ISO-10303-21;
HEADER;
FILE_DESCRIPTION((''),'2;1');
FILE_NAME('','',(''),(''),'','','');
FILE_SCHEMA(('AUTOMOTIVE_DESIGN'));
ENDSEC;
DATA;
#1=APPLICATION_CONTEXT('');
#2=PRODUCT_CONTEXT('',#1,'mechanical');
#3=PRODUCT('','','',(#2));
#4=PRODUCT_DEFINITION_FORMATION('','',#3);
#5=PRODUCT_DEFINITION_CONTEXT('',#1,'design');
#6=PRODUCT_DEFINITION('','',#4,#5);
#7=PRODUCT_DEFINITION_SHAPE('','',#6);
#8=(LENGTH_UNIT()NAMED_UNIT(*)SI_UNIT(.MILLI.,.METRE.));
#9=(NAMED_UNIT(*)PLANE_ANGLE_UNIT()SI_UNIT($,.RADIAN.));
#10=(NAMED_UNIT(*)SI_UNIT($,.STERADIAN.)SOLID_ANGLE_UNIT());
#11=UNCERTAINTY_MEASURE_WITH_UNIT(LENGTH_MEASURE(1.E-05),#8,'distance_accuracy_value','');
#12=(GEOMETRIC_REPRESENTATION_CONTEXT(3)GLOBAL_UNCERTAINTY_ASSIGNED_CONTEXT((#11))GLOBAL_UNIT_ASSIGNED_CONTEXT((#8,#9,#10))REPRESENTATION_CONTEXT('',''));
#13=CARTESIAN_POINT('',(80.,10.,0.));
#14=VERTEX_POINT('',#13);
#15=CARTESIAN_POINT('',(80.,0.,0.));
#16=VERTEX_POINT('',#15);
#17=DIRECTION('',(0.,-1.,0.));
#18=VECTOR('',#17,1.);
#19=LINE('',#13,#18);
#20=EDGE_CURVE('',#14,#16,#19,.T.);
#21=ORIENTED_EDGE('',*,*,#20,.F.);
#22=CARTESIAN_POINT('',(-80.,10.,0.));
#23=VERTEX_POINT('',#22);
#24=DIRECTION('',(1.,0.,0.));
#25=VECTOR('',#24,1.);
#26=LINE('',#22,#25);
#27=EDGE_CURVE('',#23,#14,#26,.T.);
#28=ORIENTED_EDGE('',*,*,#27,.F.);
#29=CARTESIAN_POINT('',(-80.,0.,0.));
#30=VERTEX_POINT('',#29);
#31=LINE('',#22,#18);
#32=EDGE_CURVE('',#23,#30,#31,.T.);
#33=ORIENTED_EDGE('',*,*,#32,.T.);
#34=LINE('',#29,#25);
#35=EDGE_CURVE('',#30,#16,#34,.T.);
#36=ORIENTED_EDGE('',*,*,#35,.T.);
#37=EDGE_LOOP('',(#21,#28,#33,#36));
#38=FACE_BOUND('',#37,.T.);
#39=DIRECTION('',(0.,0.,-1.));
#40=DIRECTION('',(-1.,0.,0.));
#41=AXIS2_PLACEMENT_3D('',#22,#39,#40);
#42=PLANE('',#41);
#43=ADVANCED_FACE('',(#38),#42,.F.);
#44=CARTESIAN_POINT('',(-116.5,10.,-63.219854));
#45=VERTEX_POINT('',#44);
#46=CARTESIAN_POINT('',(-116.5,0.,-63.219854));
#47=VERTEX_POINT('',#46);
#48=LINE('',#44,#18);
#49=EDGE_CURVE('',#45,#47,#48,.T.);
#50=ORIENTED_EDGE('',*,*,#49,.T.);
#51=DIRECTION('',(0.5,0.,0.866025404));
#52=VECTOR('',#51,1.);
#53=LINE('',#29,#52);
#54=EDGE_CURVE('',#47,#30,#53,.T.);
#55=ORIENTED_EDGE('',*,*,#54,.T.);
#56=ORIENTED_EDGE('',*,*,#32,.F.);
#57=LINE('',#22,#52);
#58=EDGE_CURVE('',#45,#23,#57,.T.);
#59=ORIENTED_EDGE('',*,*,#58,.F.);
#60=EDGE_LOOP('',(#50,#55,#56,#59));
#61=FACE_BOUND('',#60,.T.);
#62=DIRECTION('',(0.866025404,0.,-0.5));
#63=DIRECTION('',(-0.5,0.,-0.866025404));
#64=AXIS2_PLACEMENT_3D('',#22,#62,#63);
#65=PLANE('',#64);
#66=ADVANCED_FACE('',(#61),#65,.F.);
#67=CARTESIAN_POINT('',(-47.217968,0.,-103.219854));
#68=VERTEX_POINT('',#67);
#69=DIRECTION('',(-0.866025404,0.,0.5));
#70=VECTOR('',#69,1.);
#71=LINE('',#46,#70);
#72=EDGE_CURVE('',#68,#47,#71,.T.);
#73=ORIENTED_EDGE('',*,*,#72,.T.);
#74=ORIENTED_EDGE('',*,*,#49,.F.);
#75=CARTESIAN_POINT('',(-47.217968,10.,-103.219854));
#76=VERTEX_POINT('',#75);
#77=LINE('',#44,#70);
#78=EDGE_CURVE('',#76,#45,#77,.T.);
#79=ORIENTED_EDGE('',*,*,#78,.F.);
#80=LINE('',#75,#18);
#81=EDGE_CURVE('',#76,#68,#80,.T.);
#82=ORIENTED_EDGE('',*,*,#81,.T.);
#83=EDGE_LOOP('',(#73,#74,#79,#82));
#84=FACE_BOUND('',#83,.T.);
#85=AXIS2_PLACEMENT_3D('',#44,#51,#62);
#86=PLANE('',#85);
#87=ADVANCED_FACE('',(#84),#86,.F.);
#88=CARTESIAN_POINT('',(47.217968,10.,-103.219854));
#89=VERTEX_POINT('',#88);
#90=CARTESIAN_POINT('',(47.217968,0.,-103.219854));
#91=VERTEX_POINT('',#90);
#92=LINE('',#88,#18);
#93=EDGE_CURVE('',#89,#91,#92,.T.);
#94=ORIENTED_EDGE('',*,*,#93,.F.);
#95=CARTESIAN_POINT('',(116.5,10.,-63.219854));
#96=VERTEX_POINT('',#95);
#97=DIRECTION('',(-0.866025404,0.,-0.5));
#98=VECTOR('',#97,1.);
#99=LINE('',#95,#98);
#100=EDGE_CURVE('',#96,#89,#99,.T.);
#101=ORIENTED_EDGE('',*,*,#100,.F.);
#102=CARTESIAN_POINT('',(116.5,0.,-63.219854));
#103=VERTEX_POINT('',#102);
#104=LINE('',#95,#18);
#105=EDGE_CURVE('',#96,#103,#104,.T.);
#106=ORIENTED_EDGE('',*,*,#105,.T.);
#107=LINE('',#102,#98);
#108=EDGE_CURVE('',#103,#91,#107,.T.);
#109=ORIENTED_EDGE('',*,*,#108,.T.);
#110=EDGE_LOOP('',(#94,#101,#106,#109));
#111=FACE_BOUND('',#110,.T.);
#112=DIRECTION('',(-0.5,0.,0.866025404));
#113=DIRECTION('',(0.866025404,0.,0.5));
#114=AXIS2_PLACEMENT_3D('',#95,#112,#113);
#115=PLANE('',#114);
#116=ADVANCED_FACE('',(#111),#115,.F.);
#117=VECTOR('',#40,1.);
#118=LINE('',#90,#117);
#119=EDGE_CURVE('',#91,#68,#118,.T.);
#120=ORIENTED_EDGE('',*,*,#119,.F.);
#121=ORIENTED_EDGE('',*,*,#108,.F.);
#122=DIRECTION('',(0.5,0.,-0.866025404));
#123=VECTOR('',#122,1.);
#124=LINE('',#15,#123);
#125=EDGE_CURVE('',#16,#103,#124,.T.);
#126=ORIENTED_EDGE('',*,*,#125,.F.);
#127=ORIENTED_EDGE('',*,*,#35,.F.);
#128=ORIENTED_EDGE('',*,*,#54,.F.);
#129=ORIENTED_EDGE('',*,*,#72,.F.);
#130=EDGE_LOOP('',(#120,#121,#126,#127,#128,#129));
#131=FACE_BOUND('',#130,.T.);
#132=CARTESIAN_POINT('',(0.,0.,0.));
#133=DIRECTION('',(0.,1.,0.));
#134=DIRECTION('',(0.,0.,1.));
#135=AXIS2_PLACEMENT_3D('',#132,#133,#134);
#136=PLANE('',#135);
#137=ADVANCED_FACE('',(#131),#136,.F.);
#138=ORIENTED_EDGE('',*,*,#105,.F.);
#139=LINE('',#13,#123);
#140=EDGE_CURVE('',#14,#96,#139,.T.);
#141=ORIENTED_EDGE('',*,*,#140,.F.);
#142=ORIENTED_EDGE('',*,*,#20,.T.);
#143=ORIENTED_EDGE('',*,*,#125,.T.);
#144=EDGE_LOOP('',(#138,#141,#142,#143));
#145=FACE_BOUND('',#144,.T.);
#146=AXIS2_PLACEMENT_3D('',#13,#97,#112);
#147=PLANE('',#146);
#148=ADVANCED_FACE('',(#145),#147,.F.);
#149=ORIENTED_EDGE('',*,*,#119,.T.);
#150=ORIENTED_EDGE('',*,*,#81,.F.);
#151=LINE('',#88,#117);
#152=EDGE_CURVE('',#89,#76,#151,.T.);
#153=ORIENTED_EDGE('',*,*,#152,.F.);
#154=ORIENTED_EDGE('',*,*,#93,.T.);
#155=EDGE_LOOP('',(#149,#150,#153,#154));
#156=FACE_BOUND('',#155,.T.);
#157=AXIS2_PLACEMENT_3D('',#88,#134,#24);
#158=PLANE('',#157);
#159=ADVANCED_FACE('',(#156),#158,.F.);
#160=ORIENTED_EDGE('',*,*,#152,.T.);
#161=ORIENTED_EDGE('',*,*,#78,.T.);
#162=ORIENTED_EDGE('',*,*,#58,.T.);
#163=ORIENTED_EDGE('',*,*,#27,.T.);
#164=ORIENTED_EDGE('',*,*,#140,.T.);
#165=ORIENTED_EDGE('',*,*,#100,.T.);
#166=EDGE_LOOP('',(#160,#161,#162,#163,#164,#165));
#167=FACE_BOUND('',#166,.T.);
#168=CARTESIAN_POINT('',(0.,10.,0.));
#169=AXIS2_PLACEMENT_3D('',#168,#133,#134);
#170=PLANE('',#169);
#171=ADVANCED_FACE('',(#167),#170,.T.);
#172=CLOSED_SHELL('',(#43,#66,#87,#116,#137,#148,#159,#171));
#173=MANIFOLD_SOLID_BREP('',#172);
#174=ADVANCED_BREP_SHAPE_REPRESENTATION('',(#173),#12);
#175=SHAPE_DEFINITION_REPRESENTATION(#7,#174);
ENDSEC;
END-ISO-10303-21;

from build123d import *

# Parameters (mm, degrees)
BOSS_EXTRUDE1_DEPTH = 10


with BuildPart() as part:
    # Sketch1 → Boss-Extrude1 (new body)
    with BuildSketch(Plane(origin=(0, 0, 0), x_dir=(1, 0, 0), z_dir=(0, 1, 0))):
        Polygon((-80, 0), (80, 0), (116.5, 63.219854476), (47.217967697, 103.219854476), (-47.217967697, 103.219854476), (-116.5, 63.219854476), align=None)
    extrude(amount=BOSS_EXTRUDE1_DEPTH)


solid = part.part
